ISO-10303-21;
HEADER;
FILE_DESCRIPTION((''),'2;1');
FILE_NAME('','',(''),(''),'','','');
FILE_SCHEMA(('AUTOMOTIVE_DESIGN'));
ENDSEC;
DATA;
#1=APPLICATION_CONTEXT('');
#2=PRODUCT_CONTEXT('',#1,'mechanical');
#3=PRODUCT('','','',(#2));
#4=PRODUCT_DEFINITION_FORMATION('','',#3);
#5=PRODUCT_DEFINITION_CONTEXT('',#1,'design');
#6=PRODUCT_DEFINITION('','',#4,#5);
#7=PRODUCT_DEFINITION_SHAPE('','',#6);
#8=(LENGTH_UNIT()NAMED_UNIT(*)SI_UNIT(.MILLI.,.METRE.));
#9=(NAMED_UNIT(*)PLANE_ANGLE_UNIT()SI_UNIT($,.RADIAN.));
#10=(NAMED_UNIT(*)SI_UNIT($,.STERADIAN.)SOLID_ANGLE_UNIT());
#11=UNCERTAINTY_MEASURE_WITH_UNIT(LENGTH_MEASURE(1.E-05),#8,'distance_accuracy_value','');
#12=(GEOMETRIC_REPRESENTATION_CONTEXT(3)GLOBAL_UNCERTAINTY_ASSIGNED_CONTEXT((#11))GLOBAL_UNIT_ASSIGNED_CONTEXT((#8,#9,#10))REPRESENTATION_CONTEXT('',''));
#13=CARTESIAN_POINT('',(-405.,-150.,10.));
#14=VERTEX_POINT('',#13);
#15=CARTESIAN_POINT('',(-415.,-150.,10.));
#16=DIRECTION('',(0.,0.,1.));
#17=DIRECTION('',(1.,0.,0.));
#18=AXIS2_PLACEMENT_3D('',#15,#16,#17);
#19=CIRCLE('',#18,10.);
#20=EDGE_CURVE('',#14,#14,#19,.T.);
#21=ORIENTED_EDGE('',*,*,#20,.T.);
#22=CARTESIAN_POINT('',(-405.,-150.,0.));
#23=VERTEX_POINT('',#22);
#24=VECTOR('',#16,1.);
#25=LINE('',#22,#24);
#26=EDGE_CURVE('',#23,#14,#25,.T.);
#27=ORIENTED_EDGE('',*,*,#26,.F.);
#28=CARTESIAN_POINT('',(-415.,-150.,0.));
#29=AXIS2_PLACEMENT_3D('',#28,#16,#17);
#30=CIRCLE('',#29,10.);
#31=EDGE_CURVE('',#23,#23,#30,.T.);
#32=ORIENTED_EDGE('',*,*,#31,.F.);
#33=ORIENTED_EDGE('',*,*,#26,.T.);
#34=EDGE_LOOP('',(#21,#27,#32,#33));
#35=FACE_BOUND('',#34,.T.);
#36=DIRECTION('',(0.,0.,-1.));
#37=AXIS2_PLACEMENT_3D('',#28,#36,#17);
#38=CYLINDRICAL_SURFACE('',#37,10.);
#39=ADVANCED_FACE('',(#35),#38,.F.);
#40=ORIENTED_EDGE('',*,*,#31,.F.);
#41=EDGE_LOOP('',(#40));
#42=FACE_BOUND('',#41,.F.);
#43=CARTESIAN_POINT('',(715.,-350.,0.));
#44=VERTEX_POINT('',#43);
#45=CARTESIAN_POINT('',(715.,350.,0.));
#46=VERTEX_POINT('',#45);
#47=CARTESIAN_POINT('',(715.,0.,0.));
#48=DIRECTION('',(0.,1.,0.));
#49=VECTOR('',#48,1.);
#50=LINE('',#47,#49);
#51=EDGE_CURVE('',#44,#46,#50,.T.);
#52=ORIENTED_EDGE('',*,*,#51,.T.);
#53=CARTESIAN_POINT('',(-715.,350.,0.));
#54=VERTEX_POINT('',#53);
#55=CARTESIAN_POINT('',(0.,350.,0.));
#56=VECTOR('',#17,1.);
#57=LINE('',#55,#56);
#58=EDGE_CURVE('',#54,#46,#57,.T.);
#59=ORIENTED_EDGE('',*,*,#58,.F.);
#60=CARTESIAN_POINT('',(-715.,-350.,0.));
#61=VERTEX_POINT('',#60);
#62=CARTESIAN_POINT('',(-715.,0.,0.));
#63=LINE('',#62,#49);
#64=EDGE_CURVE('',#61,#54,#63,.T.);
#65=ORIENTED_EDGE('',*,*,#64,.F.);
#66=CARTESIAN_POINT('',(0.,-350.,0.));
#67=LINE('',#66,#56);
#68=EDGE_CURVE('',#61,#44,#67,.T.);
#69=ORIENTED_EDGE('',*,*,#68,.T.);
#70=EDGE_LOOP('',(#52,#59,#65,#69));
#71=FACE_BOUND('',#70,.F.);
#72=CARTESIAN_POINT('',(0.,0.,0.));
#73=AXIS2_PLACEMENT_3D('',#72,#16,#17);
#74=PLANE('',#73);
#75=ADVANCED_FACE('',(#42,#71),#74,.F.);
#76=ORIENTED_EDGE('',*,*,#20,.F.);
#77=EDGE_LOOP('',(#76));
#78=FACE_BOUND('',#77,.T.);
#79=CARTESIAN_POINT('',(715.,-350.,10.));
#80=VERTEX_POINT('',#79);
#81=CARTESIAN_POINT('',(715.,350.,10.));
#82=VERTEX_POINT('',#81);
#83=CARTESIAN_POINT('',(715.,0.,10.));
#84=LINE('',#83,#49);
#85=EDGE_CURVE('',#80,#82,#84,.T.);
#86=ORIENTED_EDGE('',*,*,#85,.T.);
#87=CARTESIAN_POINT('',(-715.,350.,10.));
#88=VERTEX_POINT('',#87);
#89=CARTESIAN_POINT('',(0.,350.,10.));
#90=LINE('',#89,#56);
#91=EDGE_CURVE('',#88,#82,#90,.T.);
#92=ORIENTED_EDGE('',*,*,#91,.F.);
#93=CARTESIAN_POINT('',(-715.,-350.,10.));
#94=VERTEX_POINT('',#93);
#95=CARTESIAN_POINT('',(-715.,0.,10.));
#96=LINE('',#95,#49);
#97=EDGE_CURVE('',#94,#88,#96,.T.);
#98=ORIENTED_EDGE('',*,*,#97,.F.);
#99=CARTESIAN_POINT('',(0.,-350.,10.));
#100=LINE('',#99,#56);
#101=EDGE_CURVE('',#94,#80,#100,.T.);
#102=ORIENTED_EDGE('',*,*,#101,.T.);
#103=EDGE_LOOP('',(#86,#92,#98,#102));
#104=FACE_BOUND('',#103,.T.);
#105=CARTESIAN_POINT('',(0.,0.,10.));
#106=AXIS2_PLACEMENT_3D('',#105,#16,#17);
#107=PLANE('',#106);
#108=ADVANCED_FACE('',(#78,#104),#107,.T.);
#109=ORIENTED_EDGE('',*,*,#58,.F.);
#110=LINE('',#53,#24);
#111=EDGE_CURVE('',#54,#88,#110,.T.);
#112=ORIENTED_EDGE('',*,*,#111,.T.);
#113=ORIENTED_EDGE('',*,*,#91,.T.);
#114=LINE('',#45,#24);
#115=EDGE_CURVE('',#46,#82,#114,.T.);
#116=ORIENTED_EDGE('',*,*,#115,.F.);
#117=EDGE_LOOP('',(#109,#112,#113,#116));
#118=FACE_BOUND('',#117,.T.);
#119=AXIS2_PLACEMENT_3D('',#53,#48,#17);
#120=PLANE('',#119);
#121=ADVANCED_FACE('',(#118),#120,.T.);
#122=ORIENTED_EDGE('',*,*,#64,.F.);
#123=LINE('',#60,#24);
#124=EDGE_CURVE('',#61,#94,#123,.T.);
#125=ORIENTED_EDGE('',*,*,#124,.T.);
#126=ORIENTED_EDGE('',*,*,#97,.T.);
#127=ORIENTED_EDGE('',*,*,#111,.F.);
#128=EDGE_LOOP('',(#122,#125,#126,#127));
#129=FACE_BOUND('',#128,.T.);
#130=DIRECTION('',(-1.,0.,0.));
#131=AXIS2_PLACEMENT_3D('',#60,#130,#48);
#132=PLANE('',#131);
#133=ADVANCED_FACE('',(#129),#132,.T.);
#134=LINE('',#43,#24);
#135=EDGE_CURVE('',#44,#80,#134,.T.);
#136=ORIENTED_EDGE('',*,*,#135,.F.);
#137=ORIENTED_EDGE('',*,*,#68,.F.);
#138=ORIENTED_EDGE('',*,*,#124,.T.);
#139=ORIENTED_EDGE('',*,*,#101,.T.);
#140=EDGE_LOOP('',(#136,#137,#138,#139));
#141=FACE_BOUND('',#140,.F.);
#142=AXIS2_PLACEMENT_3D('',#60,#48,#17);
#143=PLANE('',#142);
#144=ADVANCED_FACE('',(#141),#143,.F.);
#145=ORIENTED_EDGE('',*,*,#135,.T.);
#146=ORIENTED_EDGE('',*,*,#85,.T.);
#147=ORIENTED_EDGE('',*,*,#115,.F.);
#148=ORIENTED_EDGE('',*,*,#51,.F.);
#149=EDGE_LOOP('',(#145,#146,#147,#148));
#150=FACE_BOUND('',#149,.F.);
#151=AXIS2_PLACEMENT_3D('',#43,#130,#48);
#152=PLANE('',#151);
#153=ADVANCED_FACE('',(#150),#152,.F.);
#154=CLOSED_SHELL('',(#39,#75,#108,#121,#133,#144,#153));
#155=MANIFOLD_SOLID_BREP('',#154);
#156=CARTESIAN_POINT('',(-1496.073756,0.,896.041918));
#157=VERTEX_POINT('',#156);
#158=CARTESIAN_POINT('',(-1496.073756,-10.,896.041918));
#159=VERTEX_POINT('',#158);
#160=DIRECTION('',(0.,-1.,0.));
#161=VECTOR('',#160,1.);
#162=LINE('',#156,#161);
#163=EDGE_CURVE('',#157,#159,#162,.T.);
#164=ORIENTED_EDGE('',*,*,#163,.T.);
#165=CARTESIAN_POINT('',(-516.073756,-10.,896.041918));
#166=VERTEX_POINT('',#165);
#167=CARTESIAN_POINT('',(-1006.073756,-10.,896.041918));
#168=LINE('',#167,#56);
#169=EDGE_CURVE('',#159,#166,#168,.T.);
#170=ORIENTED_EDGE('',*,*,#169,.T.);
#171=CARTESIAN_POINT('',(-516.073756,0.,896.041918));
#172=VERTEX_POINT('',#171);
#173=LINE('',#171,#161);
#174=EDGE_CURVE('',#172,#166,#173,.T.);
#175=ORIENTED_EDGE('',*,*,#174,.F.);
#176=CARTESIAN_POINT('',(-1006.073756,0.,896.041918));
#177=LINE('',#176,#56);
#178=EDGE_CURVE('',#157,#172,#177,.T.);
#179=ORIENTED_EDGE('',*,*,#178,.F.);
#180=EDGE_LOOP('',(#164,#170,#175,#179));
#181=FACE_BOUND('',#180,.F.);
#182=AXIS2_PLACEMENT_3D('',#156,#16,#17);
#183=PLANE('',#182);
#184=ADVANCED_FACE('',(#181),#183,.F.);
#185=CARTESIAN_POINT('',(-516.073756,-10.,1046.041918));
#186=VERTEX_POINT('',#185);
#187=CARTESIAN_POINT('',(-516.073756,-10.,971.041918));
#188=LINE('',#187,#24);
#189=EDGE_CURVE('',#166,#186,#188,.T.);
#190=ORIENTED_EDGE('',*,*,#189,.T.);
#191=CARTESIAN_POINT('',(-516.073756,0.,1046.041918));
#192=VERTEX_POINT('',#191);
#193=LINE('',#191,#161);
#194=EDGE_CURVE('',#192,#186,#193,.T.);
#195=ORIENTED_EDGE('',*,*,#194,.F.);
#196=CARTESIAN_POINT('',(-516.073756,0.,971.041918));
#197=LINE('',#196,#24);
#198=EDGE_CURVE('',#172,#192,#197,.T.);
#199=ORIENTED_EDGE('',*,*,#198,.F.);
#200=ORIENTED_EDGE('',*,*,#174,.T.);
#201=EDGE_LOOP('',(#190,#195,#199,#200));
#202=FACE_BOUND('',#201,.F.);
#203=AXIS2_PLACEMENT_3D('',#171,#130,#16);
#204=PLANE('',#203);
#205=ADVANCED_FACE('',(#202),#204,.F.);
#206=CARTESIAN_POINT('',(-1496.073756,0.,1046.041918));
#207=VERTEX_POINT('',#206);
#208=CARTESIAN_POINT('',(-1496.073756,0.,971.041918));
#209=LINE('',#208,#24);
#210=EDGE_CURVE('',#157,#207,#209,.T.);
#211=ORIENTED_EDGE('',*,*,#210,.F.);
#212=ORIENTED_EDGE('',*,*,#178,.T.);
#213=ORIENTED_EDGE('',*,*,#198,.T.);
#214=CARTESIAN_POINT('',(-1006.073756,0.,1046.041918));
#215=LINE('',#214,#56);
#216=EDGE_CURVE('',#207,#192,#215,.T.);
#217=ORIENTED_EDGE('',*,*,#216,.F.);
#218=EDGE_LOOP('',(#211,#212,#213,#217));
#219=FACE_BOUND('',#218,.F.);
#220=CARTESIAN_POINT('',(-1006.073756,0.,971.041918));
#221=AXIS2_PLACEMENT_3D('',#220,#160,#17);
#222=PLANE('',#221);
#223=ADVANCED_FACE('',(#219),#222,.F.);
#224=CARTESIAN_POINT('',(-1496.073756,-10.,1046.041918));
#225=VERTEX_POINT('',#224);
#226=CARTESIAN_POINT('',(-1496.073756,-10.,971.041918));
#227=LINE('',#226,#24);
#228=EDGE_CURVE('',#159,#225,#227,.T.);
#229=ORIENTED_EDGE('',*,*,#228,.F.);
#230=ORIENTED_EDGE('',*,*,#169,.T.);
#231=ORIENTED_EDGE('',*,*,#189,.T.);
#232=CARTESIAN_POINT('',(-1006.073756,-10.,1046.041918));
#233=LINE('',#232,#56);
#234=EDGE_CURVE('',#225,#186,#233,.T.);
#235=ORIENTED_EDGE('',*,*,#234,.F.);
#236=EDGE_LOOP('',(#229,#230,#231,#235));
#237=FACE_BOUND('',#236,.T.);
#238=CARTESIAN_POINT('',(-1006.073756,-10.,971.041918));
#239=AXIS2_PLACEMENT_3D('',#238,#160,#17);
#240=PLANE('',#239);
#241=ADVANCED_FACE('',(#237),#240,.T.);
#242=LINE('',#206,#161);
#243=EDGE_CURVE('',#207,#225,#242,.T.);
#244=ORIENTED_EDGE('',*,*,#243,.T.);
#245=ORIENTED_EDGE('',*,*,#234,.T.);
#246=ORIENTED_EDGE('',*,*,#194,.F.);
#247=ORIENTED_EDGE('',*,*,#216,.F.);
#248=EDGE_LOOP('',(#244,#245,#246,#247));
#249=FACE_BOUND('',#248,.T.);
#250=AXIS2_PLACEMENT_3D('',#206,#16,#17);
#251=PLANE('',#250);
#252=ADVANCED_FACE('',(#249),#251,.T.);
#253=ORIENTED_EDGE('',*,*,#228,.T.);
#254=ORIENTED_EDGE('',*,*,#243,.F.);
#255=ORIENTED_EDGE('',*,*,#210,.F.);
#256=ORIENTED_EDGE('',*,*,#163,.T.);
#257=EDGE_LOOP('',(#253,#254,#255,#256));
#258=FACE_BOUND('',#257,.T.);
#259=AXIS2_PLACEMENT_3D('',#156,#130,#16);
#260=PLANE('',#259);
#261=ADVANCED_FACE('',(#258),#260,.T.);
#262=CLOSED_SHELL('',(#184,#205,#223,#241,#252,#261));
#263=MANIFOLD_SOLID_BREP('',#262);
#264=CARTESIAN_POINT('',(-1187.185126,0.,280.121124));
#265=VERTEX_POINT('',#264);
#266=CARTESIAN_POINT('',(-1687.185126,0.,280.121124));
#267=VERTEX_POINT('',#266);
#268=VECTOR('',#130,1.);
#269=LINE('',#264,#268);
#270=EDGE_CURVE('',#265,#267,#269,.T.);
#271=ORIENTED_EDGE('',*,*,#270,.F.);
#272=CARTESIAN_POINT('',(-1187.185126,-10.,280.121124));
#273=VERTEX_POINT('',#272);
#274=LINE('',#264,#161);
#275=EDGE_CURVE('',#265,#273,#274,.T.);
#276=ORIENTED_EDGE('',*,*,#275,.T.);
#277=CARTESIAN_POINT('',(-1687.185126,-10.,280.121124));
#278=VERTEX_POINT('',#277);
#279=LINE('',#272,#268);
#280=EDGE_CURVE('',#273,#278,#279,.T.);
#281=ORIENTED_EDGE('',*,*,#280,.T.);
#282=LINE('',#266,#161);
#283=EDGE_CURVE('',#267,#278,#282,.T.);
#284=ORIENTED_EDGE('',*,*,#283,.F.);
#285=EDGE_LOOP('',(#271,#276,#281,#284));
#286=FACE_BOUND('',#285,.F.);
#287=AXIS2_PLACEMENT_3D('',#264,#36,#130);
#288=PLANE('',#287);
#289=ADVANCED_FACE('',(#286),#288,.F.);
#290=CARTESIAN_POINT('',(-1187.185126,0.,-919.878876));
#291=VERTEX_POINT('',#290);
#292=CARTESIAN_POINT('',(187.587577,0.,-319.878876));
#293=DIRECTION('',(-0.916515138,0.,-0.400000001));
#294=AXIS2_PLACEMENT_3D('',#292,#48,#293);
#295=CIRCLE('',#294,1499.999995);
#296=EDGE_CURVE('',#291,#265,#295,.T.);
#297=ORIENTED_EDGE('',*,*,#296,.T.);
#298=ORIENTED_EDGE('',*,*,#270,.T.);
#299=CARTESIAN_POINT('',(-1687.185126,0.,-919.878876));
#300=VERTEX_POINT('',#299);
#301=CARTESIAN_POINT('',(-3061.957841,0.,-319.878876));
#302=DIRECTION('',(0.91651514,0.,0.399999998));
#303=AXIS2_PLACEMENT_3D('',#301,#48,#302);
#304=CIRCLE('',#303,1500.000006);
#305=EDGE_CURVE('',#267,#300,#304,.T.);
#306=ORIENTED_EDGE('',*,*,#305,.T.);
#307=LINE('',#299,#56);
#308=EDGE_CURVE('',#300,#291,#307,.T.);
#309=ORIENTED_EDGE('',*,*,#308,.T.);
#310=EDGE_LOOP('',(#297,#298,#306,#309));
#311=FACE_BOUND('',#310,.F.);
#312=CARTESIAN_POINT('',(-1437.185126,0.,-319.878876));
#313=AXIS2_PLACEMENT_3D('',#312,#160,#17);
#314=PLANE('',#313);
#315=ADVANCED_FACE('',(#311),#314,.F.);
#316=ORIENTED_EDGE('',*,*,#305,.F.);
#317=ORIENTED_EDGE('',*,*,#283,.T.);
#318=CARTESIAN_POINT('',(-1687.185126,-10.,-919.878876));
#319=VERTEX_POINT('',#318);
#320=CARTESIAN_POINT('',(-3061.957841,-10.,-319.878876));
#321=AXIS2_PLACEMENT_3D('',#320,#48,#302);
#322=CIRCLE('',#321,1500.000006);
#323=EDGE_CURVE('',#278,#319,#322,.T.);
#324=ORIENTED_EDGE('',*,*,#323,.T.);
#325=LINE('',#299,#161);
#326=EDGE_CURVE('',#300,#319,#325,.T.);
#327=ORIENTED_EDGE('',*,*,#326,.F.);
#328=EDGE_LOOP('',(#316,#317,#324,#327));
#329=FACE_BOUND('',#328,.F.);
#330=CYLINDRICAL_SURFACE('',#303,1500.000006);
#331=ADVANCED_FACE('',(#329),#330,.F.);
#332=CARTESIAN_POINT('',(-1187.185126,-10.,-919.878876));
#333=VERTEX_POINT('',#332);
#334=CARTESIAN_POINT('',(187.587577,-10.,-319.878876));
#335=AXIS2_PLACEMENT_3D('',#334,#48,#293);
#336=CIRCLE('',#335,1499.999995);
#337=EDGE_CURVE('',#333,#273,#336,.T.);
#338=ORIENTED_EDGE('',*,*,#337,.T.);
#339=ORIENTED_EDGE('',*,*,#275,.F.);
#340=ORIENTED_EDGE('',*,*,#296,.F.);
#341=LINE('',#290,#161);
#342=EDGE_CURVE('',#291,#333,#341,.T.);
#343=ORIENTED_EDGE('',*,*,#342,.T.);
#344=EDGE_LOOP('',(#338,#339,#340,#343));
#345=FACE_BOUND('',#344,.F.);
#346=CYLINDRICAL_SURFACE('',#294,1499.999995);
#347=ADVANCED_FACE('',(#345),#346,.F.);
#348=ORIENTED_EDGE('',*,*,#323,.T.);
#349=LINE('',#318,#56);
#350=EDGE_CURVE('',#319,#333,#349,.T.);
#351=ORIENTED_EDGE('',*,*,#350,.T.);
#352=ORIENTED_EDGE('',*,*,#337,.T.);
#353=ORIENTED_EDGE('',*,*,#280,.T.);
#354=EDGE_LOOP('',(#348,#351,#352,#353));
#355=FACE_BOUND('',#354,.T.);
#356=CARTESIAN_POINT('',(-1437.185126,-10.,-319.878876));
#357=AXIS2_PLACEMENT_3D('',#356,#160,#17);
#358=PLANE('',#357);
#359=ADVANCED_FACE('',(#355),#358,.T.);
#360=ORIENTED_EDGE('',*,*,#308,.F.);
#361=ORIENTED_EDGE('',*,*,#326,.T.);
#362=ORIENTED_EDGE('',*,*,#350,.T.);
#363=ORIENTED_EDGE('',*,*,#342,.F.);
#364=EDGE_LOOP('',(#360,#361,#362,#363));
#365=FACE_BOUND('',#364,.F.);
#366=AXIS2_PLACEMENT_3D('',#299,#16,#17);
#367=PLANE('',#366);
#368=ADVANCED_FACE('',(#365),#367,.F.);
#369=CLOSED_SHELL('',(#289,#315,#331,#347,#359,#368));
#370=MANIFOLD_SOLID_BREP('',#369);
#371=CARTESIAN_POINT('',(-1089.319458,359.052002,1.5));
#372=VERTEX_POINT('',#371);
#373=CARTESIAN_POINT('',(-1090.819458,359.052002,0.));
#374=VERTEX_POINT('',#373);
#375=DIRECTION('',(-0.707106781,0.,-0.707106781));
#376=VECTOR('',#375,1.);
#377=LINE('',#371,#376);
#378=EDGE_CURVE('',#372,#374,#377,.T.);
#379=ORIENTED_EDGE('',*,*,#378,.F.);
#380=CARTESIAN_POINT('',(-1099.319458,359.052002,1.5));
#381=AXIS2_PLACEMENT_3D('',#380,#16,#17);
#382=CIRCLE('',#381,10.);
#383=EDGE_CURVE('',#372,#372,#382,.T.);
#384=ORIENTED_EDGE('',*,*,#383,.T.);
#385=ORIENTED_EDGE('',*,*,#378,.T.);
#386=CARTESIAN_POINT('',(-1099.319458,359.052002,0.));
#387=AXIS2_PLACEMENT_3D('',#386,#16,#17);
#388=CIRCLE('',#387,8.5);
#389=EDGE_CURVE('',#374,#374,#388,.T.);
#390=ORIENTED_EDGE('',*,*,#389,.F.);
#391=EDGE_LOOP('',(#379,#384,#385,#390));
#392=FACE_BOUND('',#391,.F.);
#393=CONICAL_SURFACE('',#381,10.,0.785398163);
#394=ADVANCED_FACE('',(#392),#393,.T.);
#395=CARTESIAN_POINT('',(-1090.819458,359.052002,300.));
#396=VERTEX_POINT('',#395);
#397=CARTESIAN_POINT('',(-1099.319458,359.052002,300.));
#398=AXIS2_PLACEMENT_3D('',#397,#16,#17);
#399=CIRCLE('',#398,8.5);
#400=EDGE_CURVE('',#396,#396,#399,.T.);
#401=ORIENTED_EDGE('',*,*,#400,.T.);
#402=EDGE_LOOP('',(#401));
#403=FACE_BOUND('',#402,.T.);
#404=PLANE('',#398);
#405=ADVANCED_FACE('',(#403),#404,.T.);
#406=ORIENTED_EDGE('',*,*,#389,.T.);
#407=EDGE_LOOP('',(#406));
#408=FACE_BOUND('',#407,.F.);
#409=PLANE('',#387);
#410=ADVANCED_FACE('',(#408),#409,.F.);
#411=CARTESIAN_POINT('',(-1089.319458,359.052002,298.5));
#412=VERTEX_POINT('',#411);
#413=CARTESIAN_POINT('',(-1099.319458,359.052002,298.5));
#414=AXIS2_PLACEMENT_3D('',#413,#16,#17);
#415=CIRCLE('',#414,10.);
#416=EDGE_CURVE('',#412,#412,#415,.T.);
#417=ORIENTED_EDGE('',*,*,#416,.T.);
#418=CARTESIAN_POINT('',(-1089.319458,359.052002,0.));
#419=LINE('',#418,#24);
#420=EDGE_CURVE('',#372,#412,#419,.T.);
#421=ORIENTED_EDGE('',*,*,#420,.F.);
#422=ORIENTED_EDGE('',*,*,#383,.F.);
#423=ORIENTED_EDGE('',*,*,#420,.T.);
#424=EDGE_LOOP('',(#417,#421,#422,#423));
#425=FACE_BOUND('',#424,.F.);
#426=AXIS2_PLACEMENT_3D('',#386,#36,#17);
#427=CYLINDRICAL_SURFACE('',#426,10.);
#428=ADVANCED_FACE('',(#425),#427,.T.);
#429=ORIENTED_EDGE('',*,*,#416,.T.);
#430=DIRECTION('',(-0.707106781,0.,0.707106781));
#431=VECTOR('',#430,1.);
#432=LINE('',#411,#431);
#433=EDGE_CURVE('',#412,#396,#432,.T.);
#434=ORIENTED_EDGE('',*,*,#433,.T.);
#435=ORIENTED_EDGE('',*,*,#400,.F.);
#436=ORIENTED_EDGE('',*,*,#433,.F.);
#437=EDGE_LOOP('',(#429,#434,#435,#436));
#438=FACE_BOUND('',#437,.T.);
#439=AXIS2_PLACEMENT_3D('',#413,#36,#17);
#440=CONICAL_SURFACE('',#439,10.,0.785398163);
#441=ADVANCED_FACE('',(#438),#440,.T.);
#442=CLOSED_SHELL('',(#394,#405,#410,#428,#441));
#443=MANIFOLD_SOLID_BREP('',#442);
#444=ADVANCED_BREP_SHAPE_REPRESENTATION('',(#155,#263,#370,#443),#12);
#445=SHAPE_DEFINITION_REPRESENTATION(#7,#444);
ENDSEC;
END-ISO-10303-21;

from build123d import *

# Parameters (mm, degrees)
F0_W     = 1430
F0_H     = 700
F0_R     = 10
F1_DEPTH = 10
F3_DEPTH = 10
F4_W     = 980
F4_H     = 150
F5_DEPTH = 10
F6_R     = 10
F7_DEPTH = 300
F8_SIZE  = 1.5


with BuildPart() as f1:
    # F0 (on Top) → F1 (new body)
    with BuildSketch(Plane.XY):
        Rectangle(F0_W, F0_H)
        with Locations((-415, -150)):
            Circle(F0_R, mode=Mode.SUBTRACT)
    extrude(amount=F1_DEPTH)


with BuildPart() as f3:
    # F2 (on Front) → F3 (new body)
    with BuildSketch(Plane.XZ):
        with BuildLine():
            Line((-1687.185126, -919.878876), (-1187.185126, -919.878876))
            ThreePointArc((-1187.185126, -919.878876), (-1312.412418, -319.878876), (-1187.185126, 280.121124))
            Line((-1187.185126, 280.121124), (-1687.185126, 280.121124))
            ThreePointArc((-1687.185126, 280.121124), (-1561.957835, -319.878876), (-1687.185126, -919.878876))
        make_face()
    extrude(amount=F3_DEPTH)


with BuildPart() as f5:
    # F4 (on Front) → F5 (new body)
    with BuildSketch(Plane.XZ):
        with Locations((-1006.073756, 971.041918)):
            Rectangle(F4_W, F4_H)
    extrude(amount=F5_DEPTH)


with BuildPart() as f7:
    # F6 (on Top) → F7 (new body)
    with BuildSketch(Plane.XY):
        with Locations((-1099.319458, 359.052002)):
            Circle(F6_R)
    extrude(amount=F7_DEPTH)

    # F8
    f8_edges = [f7.edges().sort_by_distance(p)[0] for p in [
        (-1109.319458, 359.052002, 300),
        (-1109.319458, 359.052002, 0),
    ]]
    chamfer(f8_edges, length=F8_SIZE)


solid = Compound([f1.part, f3.part, f5.part, f7.part])
